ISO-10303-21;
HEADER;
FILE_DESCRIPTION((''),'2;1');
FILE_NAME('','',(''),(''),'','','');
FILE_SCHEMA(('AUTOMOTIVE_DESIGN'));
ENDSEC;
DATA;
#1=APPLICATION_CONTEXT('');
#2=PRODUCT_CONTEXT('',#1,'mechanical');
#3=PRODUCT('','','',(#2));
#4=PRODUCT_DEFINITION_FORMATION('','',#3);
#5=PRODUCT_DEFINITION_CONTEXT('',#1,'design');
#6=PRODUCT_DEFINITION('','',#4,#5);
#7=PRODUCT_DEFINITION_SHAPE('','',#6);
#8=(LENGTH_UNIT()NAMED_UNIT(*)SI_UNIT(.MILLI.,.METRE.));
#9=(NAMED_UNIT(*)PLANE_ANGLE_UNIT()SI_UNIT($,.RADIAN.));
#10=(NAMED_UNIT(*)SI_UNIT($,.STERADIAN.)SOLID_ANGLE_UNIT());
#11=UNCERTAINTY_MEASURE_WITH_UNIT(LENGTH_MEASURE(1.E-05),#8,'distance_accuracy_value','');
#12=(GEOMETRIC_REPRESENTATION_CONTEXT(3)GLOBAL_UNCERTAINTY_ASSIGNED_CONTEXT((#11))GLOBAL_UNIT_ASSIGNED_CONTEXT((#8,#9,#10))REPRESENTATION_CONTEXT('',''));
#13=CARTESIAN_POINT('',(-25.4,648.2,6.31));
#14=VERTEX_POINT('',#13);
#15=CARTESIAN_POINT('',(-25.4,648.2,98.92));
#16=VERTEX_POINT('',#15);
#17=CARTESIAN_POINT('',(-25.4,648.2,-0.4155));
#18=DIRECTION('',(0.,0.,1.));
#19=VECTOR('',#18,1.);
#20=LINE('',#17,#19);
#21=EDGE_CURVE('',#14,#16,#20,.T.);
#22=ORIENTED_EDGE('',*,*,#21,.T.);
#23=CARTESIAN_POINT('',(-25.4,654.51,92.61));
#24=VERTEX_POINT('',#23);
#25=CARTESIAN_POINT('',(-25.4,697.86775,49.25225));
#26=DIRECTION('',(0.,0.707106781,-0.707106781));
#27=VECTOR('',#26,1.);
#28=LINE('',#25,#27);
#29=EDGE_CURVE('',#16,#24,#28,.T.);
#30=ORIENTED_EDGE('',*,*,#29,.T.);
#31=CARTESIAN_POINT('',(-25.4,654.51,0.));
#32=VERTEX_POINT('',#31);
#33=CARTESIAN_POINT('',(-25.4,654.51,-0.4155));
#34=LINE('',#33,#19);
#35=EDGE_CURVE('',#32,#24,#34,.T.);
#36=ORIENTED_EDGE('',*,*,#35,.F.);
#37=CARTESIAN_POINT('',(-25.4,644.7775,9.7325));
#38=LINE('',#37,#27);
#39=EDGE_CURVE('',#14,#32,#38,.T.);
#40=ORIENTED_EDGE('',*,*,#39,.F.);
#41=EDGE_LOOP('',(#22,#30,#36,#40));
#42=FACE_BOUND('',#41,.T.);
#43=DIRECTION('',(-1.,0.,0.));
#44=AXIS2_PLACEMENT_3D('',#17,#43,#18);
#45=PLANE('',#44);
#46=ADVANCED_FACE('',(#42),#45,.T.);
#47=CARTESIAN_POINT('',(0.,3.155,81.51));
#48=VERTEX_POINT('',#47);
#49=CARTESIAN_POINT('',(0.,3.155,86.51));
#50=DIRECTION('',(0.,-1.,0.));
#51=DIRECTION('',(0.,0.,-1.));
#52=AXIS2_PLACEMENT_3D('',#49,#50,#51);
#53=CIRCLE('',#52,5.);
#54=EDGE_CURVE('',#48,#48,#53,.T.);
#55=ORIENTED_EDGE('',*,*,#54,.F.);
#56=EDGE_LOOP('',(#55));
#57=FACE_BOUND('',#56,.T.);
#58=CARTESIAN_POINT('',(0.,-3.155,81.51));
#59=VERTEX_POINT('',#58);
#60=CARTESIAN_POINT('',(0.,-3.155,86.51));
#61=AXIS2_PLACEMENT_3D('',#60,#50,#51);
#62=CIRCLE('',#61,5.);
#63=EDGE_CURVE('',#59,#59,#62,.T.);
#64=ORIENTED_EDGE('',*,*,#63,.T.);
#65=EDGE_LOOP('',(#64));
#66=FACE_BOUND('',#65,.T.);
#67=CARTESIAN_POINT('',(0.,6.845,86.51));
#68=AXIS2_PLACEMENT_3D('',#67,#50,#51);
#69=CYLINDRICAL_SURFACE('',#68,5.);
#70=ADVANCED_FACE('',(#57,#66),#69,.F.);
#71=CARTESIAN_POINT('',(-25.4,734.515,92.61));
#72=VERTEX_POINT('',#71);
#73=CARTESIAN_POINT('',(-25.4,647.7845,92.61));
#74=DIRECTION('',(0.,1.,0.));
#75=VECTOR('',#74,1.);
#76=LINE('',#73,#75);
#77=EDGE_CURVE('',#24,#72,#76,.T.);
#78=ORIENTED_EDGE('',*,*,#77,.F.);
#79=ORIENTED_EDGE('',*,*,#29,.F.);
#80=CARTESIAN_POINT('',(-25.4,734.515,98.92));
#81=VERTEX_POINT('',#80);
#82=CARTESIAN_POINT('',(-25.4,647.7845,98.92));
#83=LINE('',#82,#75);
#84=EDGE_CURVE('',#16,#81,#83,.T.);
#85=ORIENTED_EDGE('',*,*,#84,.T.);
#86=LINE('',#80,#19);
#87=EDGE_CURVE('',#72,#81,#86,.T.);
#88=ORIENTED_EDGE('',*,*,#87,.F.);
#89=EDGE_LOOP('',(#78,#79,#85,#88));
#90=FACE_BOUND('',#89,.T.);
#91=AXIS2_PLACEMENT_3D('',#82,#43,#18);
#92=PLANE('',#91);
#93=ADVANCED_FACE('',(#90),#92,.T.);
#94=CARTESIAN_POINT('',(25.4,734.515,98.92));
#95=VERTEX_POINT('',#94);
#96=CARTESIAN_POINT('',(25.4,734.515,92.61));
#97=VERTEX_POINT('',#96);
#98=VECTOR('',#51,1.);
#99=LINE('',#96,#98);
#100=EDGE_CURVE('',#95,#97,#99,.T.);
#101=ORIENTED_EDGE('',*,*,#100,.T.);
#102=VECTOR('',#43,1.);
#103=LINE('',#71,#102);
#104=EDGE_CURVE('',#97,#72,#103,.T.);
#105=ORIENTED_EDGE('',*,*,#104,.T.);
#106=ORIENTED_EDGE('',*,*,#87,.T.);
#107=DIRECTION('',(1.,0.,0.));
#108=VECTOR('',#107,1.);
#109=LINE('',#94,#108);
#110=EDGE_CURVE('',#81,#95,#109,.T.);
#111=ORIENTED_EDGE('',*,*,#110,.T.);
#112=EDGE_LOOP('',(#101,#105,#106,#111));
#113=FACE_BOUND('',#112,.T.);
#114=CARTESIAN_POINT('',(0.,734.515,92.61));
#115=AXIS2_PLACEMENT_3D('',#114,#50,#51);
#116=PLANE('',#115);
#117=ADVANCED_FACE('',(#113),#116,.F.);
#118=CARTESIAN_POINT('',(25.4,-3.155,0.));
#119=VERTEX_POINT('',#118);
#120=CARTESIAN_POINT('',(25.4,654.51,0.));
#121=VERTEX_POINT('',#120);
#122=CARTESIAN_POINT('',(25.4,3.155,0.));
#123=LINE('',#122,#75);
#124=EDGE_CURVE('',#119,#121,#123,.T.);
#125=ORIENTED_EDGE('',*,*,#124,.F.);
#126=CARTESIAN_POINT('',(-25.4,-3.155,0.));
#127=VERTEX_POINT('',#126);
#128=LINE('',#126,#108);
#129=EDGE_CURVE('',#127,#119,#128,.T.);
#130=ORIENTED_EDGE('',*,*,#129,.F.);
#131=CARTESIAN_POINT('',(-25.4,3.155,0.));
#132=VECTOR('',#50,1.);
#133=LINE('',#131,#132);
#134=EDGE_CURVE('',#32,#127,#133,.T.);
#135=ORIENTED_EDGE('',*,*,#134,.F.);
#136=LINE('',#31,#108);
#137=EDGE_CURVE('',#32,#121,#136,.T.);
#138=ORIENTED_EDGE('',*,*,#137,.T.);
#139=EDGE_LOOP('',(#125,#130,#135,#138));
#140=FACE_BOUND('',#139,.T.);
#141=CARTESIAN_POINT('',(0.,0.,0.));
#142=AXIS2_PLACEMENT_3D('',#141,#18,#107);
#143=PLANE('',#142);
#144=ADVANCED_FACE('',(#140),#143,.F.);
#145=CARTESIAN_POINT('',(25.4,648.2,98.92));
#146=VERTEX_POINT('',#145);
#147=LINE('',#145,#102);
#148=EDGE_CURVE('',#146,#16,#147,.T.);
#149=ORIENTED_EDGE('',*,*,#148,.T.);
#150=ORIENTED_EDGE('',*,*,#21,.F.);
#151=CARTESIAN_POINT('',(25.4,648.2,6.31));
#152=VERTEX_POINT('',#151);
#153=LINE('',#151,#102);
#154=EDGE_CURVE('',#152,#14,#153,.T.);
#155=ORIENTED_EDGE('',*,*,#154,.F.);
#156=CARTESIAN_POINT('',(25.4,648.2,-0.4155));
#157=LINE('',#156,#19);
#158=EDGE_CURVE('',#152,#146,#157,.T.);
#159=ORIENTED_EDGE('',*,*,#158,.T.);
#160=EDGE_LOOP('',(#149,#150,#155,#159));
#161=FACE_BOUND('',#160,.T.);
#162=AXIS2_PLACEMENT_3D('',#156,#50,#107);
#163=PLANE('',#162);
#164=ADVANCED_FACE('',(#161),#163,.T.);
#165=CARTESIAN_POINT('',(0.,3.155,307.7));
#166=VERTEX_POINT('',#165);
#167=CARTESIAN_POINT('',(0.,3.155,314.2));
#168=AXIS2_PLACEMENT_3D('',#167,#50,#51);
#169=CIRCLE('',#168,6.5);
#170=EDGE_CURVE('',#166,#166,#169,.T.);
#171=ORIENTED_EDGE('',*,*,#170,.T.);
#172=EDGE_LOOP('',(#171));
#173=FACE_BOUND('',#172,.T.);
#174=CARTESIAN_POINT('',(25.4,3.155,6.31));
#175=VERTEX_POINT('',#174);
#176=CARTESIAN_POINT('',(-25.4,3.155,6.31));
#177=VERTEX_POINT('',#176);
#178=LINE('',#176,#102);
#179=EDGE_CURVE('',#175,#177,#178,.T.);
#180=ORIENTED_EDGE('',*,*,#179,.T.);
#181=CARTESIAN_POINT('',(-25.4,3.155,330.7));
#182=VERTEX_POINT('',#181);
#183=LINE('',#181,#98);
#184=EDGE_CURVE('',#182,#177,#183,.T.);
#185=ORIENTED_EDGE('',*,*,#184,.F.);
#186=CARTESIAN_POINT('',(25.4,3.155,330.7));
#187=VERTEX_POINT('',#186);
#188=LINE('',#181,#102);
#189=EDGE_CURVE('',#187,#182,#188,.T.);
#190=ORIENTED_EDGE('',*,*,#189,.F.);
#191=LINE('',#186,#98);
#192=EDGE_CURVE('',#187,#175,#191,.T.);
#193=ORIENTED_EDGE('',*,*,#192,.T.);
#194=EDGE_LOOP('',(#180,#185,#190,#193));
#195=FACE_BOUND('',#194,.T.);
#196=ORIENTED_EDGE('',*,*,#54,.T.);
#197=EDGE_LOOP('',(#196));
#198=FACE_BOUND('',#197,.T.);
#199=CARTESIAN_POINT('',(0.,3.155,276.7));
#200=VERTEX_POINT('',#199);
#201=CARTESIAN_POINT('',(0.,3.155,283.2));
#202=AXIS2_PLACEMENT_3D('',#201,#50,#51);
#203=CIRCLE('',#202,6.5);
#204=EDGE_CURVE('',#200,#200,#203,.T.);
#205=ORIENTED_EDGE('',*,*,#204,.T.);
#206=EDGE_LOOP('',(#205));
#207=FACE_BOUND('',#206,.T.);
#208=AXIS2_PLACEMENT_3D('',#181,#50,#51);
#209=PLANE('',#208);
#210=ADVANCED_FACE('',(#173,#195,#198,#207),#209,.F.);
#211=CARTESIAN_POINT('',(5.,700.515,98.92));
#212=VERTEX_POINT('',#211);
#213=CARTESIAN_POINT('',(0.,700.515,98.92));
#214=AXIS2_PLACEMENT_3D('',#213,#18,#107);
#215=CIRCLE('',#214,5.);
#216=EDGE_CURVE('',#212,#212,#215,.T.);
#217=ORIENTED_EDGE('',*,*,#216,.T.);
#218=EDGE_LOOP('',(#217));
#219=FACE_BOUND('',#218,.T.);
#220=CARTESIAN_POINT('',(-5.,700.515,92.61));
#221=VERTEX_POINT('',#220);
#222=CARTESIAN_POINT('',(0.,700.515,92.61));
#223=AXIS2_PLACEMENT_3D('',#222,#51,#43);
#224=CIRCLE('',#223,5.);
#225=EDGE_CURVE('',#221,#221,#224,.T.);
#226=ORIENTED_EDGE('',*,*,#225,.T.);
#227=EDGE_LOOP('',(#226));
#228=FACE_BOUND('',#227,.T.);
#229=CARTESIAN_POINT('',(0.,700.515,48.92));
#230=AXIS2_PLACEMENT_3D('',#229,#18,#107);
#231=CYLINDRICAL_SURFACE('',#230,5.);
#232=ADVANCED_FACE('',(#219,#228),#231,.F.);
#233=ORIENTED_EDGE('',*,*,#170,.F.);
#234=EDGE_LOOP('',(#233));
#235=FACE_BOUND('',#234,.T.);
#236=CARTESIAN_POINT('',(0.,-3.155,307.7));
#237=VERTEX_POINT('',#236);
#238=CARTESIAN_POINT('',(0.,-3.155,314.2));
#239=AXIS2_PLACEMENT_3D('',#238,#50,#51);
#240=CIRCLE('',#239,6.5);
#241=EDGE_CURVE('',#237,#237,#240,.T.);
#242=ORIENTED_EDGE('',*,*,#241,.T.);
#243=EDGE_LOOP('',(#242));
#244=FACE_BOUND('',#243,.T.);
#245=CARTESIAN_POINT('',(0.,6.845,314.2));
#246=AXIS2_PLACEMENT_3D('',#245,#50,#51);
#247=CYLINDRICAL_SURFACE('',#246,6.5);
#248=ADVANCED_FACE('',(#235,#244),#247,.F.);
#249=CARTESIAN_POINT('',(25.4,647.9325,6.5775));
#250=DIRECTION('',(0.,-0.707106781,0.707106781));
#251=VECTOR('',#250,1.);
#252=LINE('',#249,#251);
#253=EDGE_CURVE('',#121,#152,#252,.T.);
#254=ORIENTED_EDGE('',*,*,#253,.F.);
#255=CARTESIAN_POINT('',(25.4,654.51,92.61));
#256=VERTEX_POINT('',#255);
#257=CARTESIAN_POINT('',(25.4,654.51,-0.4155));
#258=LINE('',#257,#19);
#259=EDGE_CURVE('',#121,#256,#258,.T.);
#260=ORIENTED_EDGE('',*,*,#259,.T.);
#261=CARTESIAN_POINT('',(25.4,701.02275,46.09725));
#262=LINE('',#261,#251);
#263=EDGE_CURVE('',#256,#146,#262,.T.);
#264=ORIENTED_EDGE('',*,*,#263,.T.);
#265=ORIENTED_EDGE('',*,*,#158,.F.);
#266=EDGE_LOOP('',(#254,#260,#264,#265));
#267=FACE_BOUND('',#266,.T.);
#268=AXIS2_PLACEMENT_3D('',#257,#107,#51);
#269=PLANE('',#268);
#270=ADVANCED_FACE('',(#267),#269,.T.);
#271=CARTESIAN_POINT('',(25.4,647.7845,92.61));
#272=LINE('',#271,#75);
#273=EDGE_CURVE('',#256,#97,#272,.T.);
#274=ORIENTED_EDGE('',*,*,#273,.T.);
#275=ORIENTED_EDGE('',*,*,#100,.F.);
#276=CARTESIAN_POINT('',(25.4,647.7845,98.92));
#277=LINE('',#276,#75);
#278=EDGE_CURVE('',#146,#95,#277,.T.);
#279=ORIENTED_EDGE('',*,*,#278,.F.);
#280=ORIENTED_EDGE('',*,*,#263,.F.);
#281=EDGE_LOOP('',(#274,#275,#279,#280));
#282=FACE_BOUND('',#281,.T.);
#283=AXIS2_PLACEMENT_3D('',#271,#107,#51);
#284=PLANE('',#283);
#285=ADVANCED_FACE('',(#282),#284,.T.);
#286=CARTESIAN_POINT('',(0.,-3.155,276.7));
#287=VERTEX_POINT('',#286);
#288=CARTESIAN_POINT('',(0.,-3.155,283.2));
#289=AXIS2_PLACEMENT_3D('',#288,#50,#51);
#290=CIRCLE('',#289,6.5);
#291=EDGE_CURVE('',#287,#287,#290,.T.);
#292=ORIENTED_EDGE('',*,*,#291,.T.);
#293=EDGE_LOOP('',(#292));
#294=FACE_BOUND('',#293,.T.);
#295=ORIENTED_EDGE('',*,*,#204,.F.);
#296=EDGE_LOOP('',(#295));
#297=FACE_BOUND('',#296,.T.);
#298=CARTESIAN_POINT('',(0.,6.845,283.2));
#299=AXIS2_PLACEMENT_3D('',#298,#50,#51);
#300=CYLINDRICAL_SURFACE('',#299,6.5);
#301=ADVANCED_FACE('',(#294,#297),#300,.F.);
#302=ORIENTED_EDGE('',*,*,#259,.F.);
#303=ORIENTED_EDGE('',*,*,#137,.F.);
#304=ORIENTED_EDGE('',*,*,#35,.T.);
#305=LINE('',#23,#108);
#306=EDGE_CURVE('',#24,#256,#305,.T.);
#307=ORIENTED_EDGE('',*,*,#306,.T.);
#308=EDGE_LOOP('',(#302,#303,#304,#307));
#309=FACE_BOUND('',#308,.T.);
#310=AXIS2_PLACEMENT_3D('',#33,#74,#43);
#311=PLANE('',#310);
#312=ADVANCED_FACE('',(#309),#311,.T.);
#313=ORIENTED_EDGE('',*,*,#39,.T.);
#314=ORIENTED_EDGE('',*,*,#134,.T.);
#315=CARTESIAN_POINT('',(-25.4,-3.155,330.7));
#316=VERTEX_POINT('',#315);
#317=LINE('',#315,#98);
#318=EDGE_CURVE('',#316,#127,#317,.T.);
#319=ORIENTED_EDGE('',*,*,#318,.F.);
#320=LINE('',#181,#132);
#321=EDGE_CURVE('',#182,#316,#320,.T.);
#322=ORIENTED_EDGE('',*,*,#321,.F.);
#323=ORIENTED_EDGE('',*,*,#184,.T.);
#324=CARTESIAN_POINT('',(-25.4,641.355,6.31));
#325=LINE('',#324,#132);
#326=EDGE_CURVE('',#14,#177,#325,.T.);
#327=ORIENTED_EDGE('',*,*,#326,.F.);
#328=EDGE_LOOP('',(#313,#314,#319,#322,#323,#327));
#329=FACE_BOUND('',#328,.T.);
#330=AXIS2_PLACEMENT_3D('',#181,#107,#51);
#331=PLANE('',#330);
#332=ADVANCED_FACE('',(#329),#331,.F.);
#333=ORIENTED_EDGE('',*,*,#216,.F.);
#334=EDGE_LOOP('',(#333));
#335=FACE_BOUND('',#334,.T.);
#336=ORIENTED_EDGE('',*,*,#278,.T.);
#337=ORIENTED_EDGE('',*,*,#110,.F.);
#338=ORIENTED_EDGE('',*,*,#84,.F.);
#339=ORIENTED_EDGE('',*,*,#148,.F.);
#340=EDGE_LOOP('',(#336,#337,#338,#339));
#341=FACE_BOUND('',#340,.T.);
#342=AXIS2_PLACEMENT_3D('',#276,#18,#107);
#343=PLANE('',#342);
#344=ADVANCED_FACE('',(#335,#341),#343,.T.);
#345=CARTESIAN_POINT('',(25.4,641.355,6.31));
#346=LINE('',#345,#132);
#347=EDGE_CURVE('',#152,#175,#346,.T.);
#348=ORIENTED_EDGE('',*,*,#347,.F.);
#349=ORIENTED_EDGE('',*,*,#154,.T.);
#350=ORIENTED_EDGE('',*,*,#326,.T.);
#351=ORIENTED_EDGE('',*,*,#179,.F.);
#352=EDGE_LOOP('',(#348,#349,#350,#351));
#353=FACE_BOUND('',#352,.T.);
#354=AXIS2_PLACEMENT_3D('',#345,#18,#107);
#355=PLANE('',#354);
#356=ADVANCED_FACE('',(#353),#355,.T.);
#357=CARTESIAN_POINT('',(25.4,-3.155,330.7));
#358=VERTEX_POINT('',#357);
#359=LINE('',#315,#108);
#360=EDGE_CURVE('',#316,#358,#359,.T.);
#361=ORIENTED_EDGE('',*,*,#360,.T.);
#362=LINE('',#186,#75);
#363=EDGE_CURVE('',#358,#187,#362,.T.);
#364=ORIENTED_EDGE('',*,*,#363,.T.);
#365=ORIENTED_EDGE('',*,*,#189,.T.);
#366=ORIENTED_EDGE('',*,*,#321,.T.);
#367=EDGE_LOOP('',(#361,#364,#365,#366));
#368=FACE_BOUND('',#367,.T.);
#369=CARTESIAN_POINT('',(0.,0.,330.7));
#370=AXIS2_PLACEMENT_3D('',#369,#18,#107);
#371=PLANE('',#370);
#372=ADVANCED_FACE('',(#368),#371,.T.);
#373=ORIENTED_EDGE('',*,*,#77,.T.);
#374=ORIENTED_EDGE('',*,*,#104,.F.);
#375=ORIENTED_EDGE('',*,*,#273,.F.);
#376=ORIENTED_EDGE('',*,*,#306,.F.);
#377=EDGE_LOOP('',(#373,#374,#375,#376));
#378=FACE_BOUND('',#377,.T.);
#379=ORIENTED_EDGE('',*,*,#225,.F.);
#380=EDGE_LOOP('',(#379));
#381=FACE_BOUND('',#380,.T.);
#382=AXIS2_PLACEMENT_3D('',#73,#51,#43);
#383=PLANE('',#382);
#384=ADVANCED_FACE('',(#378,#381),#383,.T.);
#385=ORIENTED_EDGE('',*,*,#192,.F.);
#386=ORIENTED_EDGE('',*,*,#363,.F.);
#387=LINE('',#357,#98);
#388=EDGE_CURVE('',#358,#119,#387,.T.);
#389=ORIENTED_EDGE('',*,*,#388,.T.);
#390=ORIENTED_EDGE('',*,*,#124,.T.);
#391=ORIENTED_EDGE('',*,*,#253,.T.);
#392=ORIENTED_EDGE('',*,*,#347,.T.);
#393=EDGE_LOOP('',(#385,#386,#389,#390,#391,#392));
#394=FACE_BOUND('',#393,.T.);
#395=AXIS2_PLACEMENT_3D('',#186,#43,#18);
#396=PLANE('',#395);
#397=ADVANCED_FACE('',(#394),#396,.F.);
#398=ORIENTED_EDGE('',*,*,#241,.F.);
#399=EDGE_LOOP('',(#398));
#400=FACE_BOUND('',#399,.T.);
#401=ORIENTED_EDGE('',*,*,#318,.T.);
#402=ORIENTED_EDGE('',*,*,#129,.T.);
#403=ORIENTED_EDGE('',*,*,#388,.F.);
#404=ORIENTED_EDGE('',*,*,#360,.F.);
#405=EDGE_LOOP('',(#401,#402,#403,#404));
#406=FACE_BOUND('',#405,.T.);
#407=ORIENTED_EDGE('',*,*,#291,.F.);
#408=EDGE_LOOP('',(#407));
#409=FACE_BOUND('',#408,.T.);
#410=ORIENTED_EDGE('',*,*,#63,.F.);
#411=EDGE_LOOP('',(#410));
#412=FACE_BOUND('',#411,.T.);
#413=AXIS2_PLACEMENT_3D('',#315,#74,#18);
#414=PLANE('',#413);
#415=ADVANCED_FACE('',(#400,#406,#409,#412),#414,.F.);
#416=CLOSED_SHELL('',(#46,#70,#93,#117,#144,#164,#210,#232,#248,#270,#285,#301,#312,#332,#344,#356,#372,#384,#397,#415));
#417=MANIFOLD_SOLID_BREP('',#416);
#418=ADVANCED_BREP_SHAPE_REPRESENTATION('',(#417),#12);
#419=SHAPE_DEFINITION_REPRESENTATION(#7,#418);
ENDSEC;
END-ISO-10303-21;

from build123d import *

# Parameters (mm, degrees)
CROQUIS1_W              = 50.8
CROQUIS1_H              = 6.31
SALIENTE_EXTRUIR1_DEPTH = 330.7
CROQUIS3_W              = 50.8
CROQUIS3_H              = 6.31
SALIENTE_EXTRUIR2_DEPTH = 644.51
CROQUIS4_W              = 50.8
CROQUIS4_H              = 6.31
CROQUIS8_R              = 6.5
CORTAR_EXTRUIR2_DEPTH   = 10
CROQUIS10_R             = 5
CORTAR_EXTRUIR4_DEPTH   = 50
CROQUIS11_R             = 5
CORTAR_EXTRUIR5_DEPTH   = 10


with BuildPart() as part:
    # Croquis1 → Saliente-Extruir1 (new body)
    with BuildSketch(Plane.XY):
        Rectangle(CROQUIS1_W, CROQUIS1_H)
    extrude(amount=SALIENTE_EXTRUIR1_DEPTH)

    # Croquis3 → Saliente-Extruir2 (add)
    with BuildSketch(Plane.XZ.offset(3.155)):
        with Locations((0, 3.155)):
            Rectangle(CROQUIS3_W, CROQUIS3_H)
    extrude(amount=-SALIENTE_EXTRUIR2_DEPTH)

    # Barrer1: sweep along a curve in space
    with BuildLine() as barrer1_path:
        Line((0, 641.355, 3.155), (0, 651.355, 3.155))
        Line((0, 651.355, 3.155), (0, 651.355, 95.765))
        Line((0, 651.355, 95.765), (0, 734.515, 95.765))
    # Croquis4 → Barrer1 (sweep)
    with BuildSketch(Plane(origin=(0, 641.355, 0), x_dir=(1, 0, 0), z_dir=(0, 1, 0))):
        with Locations((0, -3.155)):
            Rectangle(CROQUIS4_W, CROQUIS4_H)
    sweep(path=barrer1_path.line, transition=Transition.RIGHT)

    # Croquis8 → Cortar-Extruir2 (cut)
    with BuildSketch(Plane.XZ.offset(3.155)):
        with Locations(Location((0, 314.2, 0), (0, 0, 270))):
            Circle(CROQUIS8_R)
        with Locations(Location((0, 283.2, 0), (0, 0, 270))):
            Circle(CROQUIS8_R)
    extrude(amount=-CORTAR_EXTRUIR2_DEPTH, mode=Mode.SUBTRACT)

    # Croquis10 → Cortar-Extruir4 (cut)
    with BuildSketch(Plane.XY.offset(98.92)):
        with Locations((0, 700.515)):
            Circle(CROQUIS10_R)
    extrude(amount=-CORTAR_EXTRUIR4_DEPTH, mode=Mode.SUBTRACT)

    # Croquis11 → Cortar-Extruir5 (cut)
    with BuildSketch(Plane.XZ.offset(3.155)):
        with Locations(Location((0, 86.51, 0), (0, 0, 270))):
            Circle(CROQUIS11_R)
    extrude(amount=-CORTAR_EXTRUIR5_DEPTH, mode=Mode.SUBTRACT)


solid = part.part
